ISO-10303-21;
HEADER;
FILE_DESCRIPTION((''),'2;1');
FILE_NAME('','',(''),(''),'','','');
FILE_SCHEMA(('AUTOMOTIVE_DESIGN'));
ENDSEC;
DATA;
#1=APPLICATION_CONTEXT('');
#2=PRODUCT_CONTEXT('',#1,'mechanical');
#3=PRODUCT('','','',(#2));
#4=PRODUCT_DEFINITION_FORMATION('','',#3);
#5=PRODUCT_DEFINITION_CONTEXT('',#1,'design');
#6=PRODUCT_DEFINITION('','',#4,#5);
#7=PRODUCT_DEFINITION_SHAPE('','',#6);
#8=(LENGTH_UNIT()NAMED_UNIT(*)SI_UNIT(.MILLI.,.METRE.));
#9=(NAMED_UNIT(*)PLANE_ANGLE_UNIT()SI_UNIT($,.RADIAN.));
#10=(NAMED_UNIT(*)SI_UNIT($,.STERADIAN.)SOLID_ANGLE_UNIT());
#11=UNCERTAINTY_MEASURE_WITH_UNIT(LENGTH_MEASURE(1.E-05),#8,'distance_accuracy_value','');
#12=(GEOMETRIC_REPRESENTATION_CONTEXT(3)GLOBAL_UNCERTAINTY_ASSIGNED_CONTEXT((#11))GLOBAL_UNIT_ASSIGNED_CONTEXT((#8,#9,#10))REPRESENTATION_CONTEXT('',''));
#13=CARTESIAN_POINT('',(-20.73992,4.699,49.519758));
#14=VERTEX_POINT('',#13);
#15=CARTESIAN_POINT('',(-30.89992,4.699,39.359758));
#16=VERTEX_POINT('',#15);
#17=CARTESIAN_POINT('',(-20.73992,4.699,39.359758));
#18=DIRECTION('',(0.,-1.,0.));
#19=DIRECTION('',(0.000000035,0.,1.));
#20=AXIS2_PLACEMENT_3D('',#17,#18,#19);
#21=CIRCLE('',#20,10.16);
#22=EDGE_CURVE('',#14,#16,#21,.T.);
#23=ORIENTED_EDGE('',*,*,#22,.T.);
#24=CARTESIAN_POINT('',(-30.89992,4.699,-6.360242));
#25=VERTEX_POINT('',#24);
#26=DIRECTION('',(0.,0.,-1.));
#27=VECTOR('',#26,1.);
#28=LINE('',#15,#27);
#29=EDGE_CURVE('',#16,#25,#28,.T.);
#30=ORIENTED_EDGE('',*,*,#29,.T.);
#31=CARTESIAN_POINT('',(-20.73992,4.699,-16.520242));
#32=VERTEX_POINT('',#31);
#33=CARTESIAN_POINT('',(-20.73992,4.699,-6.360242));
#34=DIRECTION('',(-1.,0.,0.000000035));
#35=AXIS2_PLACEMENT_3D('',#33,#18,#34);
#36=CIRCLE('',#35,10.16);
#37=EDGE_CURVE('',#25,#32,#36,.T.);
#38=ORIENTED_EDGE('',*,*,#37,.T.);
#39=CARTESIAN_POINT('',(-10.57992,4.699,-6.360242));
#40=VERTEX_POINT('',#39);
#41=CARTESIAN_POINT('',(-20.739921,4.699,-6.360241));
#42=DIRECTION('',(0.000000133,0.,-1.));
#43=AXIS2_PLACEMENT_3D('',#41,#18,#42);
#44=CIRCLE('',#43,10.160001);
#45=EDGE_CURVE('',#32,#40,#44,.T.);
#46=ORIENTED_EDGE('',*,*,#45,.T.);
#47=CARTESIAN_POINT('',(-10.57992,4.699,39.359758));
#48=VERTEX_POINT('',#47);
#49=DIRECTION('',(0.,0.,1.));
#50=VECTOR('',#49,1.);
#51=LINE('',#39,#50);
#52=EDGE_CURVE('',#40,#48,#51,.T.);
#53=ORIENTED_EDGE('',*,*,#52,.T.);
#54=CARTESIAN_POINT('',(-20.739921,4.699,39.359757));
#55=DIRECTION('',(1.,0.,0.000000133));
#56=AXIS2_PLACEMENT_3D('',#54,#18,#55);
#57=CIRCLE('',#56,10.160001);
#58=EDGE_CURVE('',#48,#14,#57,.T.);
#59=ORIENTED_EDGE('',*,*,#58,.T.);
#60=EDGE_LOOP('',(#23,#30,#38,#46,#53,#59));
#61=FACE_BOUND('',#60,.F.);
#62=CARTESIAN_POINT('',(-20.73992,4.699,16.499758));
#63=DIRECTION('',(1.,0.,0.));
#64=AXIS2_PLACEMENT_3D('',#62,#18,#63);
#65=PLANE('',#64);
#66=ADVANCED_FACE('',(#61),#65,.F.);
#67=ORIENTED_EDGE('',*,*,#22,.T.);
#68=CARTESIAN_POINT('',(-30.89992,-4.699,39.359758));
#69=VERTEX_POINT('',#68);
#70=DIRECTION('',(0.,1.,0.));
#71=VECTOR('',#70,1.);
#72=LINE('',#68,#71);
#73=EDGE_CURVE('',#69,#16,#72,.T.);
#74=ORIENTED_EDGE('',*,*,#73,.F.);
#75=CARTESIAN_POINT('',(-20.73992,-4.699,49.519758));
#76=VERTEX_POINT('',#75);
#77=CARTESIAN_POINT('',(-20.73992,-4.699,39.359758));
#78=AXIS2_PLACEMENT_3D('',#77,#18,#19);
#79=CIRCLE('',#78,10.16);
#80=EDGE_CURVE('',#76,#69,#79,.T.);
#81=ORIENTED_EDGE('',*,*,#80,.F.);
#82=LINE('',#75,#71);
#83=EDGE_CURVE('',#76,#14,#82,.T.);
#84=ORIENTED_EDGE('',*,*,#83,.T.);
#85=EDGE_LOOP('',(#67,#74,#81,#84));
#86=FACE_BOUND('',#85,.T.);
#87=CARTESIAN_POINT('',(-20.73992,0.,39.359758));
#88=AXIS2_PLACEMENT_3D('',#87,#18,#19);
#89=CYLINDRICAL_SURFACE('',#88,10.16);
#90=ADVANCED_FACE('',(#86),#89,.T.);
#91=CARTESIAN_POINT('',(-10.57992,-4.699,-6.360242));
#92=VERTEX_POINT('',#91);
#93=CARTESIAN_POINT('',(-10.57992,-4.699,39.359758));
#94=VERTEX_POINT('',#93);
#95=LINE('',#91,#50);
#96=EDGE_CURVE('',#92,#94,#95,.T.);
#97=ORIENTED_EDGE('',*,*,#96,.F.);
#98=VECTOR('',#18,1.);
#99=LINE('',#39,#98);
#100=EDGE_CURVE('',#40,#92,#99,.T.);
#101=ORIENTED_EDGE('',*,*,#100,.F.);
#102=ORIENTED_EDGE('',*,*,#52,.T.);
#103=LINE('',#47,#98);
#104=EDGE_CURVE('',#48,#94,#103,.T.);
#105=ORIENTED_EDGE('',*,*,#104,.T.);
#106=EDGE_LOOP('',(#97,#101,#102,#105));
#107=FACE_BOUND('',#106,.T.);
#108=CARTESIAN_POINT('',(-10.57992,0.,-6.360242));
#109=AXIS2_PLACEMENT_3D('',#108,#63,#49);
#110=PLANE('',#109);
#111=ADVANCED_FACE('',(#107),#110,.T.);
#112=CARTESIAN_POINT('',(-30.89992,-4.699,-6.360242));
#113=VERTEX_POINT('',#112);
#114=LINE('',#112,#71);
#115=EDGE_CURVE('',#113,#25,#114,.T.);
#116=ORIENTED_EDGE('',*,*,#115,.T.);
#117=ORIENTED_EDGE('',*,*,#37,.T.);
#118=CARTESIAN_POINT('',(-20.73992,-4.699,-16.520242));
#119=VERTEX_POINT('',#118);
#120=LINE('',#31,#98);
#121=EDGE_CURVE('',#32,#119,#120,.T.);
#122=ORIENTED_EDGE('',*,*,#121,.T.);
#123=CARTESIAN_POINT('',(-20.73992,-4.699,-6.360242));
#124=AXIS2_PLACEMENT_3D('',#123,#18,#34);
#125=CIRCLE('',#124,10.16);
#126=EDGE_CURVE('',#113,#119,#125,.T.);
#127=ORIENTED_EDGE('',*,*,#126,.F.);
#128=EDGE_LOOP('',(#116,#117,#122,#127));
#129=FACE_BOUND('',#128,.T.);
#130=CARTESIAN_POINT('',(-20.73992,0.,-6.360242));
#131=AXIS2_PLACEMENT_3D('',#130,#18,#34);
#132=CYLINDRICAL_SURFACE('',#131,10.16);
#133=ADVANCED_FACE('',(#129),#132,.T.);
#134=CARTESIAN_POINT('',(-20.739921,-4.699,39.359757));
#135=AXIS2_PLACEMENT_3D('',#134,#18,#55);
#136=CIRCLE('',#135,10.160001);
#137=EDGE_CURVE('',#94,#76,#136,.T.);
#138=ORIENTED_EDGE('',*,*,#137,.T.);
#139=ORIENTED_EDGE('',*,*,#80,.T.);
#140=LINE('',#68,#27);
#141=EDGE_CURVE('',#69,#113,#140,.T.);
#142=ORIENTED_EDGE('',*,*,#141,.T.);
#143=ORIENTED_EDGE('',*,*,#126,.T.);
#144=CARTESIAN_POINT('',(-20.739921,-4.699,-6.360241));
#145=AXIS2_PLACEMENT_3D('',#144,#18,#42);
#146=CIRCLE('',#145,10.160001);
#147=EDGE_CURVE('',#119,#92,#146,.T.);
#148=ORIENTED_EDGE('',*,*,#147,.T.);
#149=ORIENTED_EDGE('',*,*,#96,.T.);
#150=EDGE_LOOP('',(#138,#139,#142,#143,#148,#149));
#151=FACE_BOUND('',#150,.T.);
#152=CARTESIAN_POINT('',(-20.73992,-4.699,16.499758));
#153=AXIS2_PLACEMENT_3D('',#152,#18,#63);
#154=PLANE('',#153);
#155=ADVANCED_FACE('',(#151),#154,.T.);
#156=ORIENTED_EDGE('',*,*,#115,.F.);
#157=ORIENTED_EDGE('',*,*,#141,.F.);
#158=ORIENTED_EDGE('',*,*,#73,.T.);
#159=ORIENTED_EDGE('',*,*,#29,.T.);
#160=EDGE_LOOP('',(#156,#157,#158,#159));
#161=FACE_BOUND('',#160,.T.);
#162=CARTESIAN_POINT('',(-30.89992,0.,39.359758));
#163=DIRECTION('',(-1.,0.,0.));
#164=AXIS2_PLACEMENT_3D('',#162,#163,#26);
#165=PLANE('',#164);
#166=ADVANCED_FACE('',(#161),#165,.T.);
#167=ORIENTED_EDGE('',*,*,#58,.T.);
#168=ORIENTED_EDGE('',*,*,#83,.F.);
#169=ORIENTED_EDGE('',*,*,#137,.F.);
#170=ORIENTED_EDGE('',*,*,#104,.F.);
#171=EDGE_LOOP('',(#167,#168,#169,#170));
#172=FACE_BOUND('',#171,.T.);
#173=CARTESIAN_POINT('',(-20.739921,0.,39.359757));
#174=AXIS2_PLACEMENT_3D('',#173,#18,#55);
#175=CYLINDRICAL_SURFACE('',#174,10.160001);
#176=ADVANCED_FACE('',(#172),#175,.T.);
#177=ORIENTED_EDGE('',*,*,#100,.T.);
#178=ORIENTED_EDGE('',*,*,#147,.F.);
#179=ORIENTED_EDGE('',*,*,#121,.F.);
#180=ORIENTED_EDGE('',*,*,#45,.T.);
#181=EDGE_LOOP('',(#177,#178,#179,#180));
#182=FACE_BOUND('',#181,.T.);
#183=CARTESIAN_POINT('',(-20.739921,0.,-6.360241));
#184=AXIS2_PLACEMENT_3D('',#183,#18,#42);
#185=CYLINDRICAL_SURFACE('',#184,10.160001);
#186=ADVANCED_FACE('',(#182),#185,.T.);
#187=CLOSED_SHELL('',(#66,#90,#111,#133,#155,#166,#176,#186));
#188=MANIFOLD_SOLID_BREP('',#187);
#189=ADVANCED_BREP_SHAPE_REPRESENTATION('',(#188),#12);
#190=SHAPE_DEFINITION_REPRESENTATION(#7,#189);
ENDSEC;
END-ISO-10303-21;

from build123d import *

# Parameters (mm, degrees)
F1_DEPTH = 4.699


with BuildPart() as f1:
    # F0 (on Front) → F1 (new body, symmetric)
    with BuildSketch(Plane.XZ):
        with BuildLine():
            Line((-30.89992, 16.499758), (-30.89992, -6.360242))
            ThreePointArc((-30.89992, -6.360242), (-27.924125, -13.544447), (-20.73992, -16.520242))
            ThreePointArc((-20.73992, -16.520242), (-13.555716, -13.544447), (-10.57992, -6.360242))
            Line((-10.57992, -6.360242), (-10.57992, 16.499758))
            Line((-10.57992, 16.499758), (-10.57992, 39.359758))
            ThreePointArc((-10.57992, 39.359758), (-13.555716, 46.543963), (-20.73992, 49.519758))
            ThreePointArc((-20.73992, 49.519758), (-27.924125, 46.543963), (-30.89992, 39.359758))
            Line((-30.89992, 39.359758), (-30.89992, 16.499758))
        make_face()
    extrude(amount=F1_DEPTH, both=True)


solid = f1.part
